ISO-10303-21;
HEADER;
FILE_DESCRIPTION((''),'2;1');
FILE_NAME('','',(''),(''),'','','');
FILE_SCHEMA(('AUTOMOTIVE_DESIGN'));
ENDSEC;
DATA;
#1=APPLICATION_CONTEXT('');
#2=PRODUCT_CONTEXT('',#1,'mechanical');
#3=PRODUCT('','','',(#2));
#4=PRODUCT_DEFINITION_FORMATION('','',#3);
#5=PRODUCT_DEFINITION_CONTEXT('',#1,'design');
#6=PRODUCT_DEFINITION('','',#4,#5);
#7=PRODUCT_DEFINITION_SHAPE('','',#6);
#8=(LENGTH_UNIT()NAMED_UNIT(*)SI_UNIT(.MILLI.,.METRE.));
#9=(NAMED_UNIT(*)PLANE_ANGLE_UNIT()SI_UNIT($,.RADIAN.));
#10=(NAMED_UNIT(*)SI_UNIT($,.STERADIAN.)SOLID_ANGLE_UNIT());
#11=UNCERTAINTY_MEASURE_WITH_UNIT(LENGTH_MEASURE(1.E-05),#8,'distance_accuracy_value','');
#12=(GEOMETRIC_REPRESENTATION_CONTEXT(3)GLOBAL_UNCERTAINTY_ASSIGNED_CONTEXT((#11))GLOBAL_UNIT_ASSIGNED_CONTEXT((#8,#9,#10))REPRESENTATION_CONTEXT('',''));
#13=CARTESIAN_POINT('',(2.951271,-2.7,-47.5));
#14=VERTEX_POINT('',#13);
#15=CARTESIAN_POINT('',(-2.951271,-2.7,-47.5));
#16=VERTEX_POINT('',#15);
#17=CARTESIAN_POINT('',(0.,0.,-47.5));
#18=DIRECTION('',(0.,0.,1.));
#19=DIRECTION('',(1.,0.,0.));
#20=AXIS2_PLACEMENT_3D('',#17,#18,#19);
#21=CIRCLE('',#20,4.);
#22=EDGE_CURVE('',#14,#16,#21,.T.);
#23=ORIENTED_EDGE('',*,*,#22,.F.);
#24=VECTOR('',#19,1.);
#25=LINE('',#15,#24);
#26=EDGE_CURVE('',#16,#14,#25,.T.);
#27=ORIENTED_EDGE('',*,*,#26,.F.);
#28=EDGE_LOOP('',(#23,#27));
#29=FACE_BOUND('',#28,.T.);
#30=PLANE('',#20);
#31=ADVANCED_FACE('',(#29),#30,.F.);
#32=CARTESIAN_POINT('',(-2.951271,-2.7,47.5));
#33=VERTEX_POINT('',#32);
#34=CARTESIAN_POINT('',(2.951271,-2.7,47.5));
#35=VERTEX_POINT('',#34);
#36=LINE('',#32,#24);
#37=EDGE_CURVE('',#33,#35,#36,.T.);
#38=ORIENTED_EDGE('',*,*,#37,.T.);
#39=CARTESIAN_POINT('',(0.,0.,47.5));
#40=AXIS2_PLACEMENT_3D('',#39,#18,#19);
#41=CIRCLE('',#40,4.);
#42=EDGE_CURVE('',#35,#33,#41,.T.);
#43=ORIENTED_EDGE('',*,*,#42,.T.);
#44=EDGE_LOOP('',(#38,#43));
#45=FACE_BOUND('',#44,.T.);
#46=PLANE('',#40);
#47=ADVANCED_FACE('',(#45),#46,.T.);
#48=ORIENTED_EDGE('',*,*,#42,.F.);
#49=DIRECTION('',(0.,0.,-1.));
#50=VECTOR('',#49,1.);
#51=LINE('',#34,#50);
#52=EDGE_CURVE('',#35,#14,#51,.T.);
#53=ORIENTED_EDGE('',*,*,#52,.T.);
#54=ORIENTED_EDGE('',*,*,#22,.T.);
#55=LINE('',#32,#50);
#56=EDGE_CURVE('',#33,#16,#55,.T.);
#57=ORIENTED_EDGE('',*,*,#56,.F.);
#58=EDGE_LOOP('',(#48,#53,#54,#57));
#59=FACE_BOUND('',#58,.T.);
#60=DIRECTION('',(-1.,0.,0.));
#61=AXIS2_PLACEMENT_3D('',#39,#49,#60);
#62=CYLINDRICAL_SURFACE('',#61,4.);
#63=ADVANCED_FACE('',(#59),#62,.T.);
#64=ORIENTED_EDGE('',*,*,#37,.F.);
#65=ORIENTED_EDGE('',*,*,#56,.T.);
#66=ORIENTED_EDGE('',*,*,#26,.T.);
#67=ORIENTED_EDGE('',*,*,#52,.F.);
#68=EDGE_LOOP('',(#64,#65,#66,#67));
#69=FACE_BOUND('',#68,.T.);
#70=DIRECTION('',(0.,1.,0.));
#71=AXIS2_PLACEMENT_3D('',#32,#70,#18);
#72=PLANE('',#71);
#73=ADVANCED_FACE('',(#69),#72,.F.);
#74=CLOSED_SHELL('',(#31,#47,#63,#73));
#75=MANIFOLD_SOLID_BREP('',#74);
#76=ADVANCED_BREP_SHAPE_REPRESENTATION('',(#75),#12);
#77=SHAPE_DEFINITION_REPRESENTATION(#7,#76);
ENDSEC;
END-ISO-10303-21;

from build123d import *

# Parameters (mm, degrees)
AUFSATZ_LINEAR_AUSTRAGEN1_DEPTH = 47.5


with BuildPart() as part:
    # Skizze1 → Aufsatz-Linear austragen1 (new, symmetric)
    with BuildSketch(Plane.XY):
        with BuildLine():
            Line((-2.951270913, -2.7), (2.951270913, -2.7))
            ThreePointArc((2.951270913, -2.7), (0, 4), (-2.951270913, -2.7))
        make_face()
    extrude(amount=AUFSATZ_LINEAR_AUSTRAGEN1_DEPTH, both=True)


solid = part.part
